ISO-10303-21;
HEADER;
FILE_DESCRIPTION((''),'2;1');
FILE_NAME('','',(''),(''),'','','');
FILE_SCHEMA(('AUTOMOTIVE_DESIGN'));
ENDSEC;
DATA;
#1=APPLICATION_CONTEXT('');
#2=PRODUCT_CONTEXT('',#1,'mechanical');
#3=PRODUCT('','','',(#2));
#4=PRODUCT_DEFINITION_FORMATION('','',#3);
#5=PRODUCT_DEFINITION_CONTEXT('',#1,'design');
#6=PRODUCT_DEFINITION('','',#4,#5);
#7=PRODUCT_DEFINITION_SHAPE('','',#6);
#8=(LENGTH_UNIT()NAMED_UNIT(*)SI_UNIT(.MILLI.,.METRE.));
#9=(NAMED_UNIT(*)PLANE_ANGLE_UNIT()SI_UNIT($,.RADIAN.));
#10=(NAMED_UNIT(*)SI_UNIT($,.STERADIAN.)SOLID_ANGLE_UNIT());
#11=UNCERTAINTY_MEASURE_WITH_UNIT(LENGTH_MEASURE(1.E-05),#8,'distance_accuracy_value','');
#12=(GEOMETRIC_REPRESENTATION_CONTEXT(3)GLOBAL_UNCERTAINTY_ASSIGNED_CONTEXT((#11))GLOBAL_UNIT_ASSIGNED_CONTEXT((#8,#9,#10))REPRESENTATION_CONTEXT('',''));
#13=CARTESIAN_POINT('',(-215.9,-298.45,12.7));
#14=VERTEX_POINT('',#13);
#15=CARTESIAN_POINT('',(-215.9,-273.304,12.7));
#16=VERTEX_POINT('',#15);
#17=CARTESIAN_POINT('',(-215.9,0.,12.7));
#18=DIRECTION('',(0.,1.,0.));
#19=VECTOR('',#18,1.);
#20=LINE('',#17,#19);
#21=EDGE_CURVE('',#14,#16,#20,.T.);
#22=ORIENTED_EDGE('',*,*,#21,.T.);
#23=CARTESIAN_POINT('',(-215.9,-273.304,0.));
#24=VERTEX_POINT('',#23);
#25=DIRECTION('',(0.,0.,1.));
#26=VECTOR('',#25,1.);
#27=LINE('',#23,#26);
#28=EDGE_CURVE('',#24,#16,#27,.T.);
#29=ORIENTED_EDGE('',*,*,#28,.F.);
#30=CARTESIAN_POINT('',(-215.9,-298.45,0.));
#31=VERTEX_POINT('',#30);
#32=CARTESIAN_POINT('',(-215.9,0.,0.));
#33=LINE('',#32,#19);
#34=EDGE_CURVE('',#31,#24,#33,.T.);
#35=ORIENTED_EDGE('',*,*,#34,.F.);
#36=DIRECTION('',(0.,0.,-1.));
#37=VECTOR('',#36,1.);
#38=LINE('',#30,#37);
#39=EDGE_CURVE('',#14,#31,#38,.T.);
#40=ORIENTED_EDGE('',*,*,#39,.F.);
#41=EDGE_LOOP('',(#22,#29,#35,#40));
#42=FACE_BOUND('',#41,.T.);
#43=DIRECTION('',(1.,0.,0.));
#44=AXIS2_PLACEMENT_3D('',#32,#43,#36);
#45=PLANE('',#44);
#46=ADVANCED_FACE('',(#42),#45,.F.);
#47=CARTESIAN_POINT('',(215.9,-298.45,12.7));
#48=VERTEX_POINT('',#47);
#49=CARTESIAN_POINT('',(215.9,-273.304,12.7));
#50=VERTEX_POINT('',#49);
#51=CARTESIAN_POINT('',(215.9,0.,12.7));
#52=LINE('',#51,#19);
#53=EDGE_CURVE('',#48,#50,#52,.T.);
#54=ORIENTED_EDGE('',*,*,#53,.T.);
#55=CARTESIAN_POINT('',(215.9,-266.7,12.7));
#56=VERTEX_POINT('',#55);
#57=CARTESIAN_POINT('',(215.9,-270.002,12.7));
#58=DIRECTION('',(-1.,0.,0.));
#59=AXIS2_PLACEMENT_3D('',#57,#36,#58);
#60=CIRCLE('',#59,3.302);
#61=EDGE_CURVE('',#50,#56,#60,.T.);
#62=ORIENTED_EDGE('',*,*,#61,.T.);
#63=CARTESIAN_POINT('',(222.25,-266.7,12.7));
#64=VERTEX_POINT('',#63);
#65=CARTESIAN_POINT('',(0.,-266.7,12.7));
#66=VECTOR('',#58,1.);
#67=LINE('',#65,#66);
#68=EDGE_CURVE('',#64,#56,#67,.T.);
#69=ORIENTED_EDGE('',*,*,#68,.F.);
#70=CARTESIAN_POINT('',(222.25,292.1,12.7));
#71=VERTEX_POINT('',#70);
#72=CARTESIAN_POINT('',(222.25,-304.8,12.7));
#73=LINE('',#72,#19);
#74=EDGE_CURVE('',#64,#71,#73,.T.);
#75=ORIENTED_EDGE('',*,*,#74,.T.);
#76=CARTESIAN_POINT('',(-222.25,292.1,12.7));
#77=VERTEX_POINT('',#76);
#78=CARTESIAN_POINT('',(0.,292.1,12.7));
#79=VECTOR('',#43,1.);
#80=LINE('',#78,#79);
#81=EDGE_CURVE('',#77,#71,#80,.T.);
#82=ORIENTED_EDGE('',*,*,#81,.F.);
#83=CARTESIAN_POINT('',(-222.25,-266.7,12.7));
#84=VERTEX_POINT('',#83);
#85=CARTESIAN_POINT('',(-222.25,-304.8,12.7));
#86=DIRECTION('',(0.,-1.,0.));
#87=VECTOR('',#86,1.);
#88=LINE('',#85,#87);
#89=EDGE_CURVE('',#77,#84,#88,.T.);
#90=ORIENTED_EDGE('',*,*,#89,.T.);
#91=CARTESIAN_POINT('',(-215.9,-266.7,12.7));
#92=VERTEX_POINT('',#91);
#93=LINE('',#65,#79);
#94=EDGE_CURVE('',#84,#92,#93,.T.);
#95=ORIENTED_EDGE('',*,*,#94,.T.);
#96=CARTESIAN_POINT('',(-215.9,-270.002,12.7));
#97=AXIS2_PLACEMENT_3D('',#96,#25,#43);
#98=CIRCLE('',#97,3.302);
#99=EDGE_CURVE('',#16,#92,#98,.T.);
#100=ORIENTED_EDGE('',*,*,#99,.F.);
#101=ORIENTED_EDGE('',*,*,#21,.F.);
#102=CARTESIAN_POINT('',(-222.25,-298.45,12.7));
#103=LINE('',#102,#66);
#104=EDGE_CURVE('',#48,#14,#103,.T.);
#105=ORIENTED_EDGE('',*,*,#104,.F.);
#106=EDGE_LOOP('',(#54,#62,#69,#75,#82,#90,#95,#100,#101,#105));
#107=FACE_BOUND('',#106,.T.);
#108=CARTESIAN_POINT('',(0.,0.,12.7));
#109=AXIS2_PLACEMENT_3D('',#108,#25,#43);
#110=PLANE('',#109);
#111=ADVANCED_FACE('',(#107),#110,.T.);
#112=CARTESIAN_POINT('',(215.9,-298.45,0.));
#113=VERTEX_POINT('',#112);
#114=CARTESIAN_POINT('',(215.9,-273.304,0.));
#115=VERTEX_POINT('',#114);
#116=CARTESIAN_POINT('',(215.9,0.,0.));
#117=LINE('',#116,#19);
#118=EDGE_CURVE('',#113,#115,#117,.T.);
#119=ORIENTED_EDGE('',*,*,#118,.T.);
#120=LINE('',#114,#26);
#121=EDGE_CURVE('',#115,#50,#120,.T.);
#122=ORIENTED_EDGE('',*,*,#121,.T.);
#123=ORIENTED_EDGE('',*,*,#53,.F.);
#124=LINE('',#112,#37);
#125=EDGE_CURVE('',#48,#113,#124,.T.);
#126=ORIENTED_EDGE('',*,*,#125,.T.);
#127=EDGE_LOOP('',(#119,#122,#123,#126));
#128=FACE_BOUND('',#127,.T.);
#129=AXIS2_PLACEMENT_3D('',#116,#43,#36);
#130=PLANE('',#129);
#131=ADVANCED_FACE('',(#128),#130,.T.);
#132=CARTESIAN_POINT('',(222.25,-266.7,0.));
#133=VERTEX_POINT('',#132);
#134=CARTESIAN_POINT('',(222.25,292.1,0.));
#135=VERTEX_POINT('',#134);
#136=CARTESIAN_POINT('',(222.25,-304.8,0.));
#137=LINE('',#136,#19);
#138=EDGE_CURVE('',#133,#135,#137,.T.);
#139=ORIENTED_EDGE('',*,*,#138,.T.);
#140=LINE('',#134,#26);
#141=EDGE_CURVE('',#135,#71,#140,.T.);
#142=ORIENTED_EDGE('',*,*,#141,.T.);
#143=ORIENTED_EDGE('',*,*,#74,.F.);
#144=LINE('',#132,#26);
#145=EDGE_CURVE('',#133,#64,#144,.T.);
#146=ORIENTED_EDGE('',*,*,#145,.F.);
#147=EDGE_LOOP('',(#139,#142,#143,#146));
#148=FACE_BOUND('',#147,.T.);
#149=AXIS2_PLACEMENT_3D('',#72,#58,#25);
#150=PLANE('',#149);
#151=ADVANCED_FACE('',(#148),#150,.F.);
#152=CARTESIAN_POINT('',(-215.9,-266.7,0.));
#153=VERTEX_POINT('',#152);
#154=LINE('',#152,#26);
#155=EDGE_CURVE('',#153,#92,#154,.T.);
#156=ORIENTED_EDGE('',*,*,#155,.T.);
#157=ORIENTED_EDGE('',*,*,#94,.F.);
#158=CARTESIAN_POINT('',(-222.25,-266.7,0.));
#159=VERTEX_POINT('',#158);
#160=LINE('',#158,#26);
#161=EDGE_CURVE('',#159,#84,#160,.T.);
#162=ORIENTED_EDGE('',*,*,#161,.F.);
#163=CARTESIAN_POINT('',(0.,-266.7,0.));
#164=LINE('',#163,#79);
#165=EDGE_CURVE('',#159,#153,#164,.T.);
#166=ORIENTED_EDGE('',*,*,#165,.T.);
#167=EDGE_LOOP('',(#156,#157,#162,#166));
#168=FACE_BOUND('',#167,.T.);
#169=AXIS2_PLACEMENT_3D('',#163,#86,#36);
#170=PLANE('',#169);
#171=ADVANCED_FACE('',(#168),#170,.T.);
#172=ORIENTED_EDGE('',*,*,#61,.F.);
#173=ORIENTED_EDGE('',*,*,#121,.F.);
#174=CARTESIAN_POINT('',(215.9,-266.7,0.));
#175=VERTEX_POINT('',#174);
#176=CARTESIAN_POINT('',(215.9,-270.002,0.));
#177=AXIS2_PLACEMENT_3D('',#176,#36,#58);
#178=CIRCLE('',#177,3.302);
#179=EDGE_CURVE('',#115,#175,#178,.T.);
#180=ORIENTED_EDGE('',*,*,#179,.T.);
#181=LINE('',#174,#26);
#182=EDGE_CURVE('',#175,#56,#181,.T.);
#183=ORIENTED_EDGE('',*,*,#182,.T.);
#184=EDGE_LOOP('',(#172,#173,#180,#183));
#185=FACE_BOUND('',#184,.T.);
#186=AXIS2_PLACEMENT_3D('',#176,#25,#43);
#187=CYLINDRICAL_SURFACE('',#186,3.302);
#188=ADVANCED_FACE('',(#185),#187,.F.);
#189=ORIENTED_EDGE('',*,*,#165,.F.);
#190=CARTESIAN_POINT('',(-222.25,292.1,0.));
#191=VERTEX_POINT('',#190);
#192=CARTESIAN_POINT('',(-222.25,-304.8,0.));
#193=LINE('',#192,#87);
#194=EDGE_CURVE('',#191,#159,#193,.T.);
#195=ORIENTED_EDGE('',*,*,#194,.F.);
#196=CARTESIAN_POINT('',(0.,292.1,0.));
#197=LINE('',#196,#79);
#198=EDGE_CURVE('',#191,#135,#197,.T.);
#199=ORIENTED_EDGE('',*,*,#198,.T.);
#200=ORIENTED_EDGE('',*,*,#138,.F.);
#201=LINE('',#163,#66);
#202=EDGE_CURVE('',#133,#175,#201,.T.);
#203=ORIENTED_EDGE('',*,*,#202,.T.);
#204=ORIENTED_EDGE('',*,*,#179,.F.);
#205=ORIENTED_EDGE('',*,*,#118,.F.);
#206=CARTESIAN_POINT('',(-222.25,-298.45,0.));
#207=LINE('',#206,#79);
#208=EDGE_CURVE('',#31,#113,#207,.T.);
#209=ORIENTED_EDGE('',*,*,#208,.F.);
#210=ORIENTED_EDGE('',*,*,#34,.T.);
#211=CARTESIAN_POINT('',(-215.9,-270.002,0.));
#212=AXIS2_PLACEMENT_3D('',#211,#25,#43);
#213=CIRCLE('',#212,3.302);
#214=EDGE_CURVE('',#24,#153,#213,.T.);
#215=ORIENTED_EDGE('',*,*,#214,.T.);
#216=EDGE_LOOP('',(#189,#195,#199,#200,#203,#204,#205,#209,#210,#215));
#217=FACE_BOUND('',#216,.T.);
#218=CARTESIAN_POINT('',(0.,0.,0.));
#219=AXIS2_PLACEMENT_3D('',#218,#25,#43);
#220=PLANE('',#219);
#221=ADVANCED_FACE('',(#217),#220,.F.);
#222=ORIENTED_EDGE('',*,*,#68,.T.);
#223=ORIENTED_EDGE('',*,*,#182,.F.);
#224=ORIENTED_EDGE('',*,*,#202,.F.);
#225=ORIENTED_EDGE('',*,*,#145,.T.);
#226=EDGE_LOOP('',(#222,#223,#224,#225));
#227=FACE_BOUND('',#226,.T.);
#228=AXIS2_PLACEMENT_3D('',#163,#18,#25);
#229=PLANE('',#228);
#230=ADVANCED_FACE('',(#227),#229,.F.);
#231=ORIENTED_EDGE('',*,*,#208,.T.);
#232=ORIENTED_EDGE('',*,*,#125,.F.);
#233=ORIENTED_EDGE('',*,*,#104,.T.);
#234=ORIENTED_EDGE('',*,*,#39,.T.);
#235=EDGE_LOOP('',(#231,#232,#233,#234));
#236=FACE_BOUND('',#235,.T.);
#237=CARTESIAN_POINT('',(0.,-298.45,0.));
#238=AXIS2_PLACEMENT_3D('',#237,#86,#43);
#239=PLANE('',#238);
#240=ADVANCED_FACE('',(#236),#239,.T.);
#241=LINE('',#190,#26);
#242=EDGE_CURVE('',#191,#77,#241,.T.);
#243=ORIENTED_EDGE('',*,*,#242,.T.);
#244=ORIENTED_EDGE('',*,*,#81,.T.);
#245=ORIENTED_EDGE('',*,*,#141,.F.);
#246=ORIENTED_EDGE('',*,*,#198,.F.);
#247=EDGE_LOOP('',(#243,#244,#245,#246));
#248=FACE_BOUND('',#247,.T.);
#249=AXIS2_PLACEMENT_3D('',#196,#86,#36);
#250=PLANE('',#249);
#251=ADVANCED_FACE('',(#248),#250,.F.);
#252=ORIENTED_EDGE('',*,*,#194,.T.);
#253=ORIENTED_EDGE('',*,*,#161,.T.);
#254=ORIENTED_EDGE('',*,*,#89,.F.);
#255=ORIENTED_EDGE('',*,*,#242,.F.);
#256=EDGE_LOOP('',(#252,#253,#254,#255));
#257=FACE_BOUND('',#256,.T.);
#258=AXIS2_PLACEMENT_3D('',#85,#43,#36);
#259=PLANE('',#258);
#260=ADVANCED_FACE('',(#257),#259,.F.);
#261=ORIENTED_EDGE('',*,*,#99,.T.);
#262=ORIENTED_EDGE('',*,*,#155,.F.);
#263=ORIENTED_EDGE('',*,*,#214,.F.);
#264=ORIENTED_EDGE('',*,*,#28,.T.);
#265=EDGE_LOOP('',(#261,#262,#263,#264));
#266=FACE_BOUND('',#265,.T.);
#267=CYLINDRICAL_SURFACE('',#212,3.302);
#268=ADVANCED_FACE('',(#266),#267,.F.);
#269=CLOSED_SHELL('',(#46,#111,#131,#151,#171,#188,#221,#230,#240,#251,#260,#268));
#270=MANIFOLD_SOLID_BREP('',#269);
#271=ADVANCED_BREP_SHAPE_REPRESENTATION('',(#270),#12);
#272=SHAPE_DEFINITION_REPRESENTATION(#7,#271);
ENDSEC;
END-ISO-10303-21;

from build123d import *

# Parameters (mm, degrees)
SKETCH1_W           = 444.5
SKETCH1_H           = 609.6
BOSS_EXTRUDE1_DEPTH = 12.7
CUT_EXTRUDE1_DEPTH  = 378.437931984
LPATTERN1_COUNT     = 8
LPATTERN1_PITCH     = 50.8
SKETCH3_R           = 3.302
SKETCH3_W           = 6.35
SKETCH3_H           = 38.1
CUT_EXTRUDE2_DEPTH  = 378.437931984
SKETCH4_W           = 444.5
SKETCH4_H           = 12.7
CUT_EXTRUDE3_DEPTH  = 378.437931984
SKETCH5_W           = 444.5
SKETCH5_H           = 18.431928634
BOSS_EXTRUDE2_DEPTH = 12.7
SKETCH7_W           = 444.5
SKETCH7_H           = 12.7
CUT_EXTRUDE5_DEPTH  = 6.35


with BuildPart() as part:
    # Sketch1 → Boss-Extrude1 (new body)
    with BuildSketch(Plane.XY):
        Rectangle(SKETCH1_W, SKETCH1_H)
    extrude(amount=BOSS_EXTRUDE1_DEPTH)

    # Sketch2 → Cut-Extrude1 (cut, through all)
    with BuildSketch(Plane.XY.offset(12.7)):
        with BuildLine():
            Line((-165.1, 304.8), (-190.5, 304.8))
            Line((-190.5, 304.8), (-190.5, 292.1))
            ThreePointArc((-190.5, 292.1), (-187.198, 295.402), (-183.896, 292.1))
            Line((-183.896, 292.1), (-171.704, 292.1))
            ThreePointArc((-171.704, 292.1), (-168.402, 295.402), (-165.1, 292.1))
            Line((-165.1, 292.1), (-165.1, 304.8))
        make_face()
        with BuildLine():
            ThreePointArc((-183.896, 292.1), (-187.198, 295.402), (-190.5, 292.1))
            Line((-190.5, 292.1), (-183.896, 292.1))
        make_face()
        with BuildLine():
            Line((-183.896, 292.1), (-190.5, 292.1))
            ThreePointArc((-190.5, 292.1), (-187.198, 288.798), (-183.896, 292.1))
        make_face()
        with BuildLine():
            ThreePointArc((-171.704, 292.1), (-168.402, 288.798), (-165.1, 292.1))
            Line((-165.1, 292.1), (-171.704, 292.1))
        make_face()
        with BuildLine():
            Line((-171.704, 292.1), (-165.1, 292.1))
            ThreePointArc((-165.1, 292.1), (-168.402, 295.402), (-171.704, 292.1))
        make_face()
    cut_extrude1 = extrude(amount=-CUT_EXTRUDE1_DEPTH, mode=Mode.SUBTRACT)

    # LPattern1: Cut-Extrude1 ×8
    with Locations(*[(i * LPATTERN1_PITCH, 0, 0) for i in range(1, LPATTERN1_COUNT)]):
        add(cut_extrude1, mode=Mode.SUBTRACT)

    # Sketch3 → Cut-Extrude2 (cut, through all)
    with BuildSketch(Plane.XY.offset(12.7)):
        with Locations((-215.9, -270.002)):
            Circle(SKETCH3_R)
        with Locations((-219.075, -285.75)):
            Rectangle(SKETCH3_W, SKETCH3_H)
    cut_extrude2 = extrude(amount=-CUT_EXTRUDE2_DEPTH, mode=Mode.SUBTRACT)

    # Mirror3: Cut-Extrude2 across plane
    add(cut_extrude2.mirror(Plane(origin=(0, 0, 0), x_dir=(0, 0, 1), z_dir=(1, 0, 0))), mode=Mode.SUBTRACT)

    # Sketch4 → Cut-Extrude3 (cut, through all)
    with BuildSketch(Plane.XY.offset(12.7)):
        with Locations((0, 298.45)):
            Rectangle(SKETCH4_W, SKETCH4_H)
    extrude(amount=-CUT_EXTRUDE3_DEPTH, mode=Mode.SUBTRACT)

    # Sketch5 → Boss-Extrude2 (add)
    with BuildSketch(Plane.XY.offset(12.7)):
        with Locations((0, 282.884035683)):
            Rectangle(SKETCH5_W, SKETCH5_H)
    extrude(amount=-BOSS_EXTRUDE2_DEPTH)

    # Sketch7 → Cut-Extrude5 (cut)
    with BuildSketch(Plane.XZ.offset(304.8)):
        with Locations((0, 6.35)):
            Rectangle(SKETCH7_W, SKETCH7_H)
    extrude(amount=-CUT_EXTRUDE5_DEPTH, mode=Mode.SUBTRACT)


solid = part.part
